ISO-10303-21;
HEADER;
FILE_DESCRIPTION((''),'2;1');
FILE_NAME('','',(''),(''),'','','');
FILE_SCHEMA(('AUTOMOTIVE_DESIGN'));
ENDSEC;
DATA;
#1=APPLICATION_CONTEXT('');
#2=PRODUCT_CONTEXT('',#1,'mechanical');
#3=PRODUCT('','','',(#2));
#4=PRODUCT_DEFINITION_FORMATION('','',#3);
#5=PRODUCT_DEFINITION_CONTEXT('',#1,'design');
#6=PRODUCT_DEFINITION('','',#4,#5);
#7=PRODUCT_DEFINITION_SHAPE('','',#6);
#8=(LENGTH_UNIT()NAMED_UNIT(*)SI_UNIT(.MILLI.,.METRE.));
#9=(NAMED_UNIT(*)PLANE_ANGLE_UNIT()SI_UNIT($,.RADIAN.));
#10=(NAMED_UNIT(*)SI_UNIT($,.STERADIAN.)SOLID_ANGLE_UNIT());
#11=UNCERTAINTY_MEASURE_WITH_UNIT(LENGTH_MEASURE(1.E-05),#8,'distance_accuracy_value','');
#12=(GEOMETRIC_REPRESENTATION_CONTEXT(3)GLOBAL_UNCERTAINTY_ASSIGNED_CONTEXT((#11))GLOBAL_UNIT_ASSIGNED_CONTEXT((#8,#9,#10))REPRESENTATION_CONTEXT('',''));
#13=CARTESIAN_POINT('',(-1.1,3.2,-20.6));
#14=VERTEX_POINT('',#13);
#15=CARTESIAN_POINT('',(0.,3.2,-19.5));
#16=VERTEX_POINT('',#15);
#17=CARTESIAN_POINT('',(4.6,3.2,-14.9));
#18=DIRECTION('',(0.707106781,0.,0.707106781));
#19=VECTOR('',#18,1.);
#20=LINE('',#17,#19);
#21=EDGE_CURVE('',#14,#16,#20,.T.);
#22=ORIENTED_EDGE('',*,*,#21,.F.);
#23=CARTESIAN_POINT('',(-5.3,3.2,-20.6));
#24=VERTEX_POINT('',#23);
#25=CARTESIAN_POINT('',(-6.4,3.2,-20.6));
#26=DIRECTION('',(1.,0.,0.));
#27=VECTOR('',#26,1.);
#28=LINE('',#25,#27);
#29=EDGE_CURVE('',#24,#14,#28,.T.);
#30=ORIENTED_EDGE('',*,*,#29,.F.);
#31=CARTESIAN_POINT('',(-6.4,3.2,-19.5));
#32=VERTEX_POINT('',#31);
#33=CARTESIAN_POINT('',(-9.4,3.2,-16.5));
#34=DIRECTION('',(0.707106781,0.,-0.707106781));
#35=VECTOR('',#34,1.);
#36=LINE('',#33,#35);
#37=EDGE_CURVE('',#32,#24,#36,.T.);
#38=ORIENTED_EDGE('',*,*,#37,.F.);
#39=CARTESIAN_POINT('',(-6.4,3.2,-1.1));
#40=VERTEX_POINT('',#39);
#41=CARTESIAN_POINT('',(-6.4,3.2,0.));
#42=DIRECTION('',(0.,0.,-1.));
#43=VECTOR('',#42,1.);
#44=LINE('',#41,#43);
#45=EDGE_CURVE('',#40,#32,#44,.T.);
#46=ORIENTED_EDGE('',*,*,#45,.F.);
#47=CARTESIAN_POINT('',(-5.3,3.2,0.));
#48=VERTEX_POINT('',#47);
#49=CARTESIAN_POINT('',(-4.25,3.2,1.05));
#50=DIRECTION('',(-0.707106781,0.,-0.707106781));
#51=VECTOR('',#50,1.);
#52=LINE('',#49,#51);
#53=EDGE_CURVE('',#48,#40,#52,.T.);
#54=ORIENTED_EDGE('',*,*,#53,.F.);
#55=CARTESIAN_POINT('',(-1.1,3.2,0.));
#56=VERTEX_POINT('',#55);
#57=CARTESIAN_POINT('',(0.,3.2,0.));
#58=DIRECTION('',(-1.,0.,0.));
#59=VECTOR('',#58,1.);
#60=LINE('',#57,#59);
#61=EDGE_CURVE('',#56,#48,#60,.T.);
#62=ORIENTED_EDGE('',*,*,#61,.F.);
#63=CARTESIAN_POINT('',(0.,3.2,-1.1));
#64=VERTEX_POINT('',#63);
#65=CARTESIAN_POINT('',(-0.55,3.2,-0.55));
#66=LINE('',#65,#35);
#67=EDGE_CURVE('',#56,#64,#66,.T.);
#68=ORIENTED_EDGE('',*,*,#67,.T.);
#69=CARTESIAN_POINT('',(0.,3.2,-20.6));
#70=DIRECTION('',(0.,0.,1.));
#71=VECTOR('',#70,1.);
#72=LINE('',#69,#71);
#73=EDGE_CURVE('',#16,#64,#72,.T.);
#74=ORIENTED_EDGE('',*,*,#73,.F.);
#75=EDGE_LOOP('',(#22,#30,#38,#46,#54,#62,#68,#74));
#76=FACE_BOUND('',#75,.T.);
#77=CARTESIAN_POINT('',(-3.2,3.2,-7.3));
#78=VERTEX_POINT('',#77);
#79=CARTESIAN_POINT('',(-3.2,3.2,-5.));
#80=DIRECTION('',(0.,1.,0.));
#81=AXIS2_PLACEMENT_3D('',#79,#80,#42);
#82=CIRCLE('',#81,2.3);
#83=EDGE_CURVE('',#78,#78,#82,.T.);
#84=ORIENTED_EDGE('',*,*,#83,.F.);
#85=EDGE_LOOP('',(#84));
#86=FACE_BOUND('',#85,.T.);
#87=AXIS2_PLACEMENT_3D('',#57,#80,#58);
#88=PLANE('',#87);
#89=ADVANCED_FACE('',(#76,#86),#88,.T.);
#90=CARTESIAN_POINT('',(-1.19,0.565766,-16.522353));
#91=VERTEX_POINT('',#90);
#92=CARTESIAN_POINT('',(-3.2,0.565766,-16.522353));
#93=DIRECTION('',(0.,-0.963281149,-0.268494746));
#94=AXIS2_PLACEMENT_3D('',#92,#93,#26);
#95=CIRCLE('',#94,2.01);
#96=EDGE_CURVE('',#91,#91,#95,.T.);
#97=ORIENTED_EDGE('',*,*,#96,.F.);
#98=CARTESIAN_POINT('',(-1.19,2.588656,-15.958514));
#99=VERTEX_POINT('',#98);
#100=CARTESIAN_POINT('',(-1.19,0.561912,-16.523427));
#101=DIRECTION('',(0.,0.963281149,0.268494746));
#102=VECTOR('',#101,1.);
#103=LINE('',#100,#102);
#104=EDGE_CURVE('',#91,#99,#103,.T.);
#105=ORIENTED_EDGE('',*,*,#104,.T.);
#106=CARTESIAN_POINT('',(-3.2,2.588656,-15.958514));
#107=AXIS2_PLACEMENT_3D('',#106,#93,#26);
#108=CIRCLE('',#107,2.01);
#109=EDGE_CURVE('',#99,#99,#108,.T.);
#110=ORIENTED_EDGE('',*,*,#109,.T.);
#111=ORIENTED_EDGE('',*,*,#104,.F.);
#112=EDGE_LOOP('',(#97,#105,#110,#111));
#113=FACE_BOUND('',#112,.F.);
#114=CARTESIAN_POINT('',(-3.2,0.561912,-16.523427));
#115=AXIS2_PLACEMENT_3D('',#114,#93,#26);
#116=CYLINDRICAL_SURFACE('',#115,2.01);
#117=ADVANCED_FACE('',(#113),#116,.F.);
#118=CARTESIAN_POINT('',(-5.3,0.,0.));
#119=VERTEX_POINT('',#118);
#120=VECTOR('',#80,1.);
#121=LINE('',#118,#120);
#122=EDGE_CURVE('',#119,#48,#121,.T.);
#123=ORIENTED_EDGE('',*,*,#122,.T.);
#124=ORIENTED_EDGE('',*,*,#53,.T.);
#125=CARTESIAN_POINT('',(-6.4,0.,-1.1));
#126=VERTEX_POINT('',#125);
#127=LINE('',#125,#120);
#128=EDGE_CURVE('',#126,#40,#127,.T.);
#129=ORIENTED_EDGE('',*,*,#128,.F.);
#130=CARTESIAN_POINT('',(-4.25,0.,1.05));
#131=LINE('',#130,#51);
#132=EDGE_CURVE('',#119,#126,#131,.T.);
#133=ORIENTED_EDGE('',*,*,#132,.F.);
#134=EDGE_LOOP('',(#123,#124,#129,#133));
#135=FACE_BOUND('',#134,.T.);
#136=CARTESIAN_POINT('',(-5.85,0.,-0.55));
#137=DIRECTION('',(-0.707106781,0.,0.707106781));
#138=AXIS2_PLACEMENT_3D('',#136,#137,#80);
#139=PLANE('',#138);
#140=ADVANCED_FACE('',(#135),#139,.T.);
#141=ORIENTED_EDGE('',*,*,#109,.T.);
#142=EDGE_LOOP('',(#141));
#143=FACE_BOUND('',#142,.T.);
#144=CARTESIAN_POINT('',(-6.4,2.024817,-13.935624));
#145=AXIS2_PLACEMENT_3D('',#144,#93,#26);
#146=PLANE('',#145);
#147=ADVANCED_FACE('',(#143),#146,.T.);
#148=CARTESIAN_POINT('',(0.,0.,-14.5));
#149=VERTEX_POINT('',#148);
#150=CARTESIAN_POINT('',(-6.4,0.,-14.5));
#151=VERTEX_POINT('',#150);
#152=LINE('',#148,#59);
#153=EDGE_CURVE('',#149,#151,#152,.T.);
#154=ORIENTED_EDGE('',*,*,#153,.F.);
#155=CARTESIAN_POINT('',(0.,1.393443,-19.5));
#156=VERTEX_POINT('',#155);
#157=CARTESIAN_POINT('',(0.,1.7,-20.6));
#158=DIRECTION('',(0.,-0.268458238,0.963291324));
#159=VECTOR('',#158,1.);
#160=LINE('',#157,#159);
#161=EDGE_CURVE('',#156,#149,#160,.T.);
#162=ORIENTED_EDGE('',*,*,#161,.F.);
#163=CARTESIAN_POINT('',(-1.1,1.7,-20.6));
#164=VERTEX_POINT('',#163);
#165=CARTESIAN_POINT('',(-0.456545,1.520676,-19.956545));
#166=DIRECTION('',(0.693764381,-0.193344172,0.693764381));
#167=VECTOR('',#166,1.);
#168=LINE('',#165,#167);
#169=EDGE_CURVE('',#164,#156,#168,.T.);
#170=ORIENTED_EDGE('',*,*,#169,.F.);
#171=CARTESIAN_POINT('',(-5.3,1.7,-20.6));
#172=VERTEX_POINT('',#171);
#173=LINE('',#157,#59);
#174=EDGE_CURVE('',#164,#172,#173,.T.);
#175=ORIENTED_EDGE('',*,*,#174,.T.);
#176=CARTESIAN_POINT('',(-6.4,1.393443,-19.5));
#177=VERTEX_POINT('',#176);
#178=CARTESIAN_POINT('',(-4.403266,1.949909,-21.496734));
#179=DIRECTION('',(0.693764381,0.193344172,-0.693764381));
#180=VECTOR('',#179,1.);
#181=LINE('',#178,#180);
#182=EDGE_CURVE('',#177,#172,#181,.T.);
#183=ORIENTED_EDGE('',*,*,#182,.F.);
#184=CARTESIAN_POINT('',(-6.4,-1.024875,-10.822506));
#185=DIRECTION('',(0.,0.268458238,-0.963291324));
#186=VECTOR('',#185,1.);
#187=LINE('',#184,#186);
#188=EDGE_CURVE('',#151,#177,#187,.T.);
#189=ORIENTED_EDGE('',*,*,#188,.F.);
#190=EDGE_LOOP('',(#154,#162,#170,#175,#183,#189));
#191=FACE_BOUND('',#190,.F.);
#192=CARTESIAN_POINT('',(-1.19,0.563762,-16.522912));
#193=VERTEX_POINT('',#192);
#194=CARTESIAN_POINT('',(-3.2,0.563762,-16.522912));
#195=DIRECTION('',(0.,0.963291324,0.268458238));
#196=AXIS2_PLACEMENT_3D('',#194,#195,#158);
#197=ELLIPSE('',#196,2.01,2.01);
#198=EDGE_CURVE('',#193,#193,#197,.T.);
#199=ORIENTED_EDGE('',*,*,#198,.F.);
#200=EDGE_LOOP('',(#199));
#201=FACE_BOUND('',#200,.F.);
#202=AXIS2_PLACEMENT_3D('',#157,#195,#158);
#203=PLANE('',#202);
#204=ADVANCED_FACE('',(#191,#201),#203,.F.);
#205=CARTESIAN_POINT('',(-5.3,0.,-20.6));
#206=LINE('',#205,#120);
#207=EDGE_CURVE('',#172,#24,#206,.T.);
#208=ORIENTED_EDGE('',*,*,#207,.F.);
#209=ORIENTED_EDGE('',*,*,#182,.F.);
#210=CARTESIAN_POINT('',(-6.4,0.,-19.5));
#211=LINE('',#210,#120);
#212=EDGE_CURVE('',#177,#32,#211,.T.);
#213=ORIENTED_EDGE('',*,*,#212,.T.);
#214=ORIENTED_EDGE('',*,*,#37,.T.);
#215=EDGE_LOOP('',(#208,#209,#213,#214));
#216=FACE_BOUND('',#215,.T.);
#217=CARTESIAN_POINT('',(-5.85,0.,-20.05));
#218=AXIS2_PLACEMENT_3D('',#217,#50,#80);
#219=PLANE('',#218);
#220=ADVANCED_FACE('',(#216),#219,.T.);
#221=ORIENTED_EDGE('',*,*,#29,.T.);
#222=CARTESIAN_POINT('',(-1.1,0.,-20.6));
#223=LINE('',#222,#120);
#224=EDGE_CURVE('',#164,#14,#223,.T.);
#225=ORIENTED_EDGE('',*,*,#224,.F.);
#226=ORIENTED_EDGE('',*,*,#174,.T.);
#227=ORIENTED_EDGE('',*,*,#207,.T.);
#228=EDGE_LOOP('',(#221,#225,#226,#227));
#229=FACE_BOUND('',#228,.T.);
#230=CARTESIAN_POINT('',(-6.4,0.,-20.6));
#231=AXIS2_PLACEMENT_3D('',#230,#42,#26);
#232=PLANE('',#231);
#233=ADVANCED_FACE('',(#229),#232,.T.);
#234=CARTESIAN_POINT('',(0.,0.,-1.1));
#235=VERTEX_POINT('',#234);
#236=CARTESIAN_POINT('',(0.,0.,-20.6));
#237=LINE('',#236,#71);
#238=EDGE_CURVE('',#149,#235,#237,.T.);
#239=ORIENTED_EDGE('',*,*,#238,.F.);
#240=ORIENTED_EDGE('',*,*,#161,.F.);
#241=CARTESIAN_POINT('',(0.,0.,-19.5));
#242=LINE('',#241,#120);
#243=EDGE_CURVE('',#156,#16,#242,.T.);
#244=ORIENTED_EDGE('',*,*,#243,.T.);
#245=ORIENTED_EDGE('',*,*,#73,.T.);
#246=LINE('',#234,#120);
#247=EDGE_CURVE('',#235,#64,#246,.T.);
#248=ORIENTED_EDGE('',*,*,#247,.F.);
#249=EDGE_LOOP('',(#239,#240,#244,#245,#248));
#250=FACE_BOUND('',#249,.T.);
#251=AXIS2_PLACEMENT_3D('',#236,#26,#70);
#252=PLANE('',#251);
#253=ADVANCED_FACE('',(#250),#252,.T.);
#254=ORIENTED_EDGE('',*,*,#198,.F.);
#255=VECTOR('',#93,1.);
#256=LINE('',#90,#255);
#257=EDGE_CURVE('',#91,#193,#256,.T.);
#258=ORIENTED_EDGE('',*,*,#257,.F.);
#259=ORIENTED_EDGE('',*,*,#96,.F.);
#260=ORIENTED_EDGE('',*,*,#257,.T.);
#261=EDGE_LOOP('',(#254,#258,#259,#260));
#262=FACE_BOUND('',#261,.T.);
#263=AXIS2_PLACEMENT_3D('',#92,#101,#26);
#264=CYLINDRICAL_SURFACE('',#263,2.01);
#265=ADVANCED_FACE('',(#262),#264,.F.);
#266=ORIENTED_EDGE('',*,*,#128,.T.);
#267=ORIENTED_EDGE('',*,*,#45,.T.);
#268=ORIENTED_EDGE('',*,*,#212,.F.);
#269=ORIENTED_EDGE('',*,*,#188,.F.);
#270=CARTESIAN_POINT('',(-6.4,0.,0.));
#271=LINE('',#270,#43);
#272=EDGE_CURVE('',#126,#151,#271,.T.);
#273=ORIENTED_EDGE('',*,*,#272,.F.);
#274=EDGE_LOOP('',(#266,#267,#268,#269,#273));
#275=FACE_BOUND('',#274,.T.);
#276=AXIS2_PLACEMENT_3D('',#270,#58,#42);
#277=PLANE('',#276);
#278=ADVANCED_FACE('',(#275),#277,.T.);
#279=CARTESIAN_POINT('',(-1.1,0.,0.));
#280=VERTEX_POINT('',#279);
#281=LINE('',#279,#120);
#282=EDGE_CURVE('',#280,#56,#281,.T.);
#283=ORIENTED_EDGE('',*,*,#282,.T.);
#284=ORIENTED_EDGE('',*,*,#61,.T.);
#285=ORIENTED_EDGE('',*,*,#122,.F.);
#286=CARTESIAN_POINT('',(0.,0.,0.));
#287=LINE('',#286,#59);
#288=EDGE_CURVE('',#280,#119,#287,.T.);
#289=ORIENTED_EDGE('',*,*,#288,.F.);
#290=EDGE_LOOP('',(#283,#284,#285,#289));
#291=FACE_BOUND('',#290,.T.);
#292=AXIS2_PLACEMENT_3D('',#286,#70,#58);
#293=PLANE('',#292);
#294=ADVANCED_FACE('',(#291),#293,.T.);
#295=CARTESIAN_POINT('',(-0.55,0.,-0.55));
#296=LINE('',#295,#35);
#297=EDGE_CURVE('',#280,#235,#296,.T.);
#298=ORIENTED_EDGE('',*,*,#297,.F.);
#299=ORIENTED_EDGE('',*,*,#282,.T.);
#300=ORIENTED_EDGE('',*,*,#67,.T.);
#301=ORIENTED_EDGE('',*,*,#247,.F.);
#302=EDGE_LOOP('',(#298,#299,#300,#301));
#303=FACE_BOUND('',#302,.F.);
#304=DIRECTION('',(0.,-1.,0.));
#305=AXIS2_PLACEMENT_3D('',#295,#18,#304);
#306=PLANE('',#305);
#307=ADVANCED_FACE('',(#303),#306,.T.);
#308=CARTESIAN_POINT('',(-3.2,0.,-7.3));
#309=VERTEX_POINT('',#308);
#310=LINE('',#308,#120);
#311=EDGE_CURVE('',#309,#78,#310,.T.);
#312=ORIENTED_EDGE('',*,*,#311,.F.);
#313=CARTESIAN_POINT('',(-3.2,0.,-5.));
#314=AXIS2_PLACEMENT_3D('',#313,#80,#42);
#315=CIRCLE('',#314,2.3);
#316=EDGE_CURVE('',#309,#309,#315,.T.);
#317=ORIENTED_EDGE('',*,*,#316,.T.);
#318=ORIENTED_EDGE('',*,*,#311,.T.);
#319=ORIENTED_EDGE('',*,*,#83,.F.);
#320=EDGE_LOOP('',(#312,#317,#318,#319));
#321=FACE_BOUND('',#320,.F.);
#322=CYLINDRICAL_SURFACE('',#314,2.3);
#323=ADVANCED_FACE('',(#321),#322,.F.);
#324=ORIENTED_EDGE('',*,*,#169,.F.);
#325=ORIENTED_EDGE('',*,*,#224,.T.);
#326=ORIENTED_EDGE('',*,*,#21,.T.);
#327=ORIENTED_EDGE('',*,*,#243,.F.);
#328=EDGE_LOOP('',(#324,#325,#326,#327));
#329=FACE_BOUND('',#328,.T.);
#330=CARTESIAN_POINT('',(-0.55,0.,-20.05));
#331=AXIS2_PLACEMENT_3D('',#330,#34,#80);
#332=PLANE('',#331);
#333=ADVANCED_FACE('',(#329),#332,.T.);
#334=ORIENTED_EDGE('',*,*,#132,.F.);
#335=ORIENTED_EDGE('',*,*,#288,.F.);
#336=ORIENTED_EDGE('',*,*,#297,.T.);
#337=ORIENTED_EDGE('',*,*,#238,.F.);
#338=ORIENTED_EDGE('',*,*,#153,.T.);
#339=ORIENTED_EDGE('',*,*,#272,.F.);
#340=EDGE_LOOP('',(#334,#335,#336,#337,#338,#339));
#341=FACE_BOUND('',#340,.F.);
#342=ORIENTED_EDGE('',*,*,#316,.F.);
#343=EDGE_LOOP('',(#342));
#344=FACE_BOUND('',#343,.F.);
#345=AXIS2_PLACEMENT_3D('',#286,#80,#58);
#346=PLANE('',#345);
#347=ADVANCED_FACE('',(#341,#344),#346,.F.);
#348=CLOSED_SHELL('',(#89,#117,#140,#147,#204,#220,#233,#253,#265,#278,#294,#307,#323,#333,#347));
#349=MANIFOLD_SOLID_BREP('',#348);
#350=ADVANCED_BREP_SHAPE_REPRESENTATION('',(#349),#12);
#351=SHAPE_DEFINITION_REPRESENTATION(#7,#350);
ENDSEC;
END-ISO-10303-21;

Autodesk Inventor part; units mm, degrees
ref_plane "YZ Plane" through (0, 0, 0) normal (1, 0, 0) x (0, 1, 0)
ref_plane "XZ Plane" through (0, 0, 0) normal (0, 1, 0) x (-1, 0, 0)
sketch "Sketch1" plane through (0, 0, 0) normal (0, 1, 0) x (-1, 0, 0)
  line L0 (0, 0) -> (6.4, 0)
  line L1 (6.4, 0) -> (6.4, -20.6)
  line L2 (6.4, -20.6) -> (0, -20.6)
  line L3 (0, -20.6) -> (0, 0)
  point P0 (3.2, -7.9)
  dimension "d0" = 6.4
  dimension "d1" = 20.6
extrude "Extrusion1" add sketch "Sketch1" along normal blind 3.2
sketch "Sketch3" plane through (0, 0, 0) normal (0, -1, 0) x (1, 0, 0)
  point P0 (0, 0)
  point P1 (-3.2, -5)
hole "Hole1" at (-3.2, 0, -5) direction (0, 1, 0) diameter 4.6 end through all
chamfer "Chamfer1" distance 1.1 angle 45 1 edges at (0, 1.6, 0)
chamfer "Chamfer2" distance 1.1 angle 45 1 edges at (-6.4, 1.6, 0)
chamfer "Chamfer3" distance 1.1 angle 45 1 edges at (-6.4, 1.6, -20.6)
chamfer "Chamfer4" distance 1.1 angle 45 1 edges at (0, 1.6, -20.6)
sketch "Sketch5" plane through (0, 0, 0) normal (1, 0, 0) x (0, 1, 0)
  line L0 (3.2, -20.6) -> (0, -20.6) projected
  line L1 (0, -20.6) -> (0, -14.5)
  line L2 (0, -1.1) -> (0, -19.5) projected
  line L3 (0, -20.6) -> (1.7, -20.6)
  line L4 (1.7, -20.6) -> (0, -14.5)
  point P0 (0, 0)
  dimension "d26" = 6.1
  dimension "d27" = 1.7
extrude "Extrusion3" cut sketch "Sketch5" against normal through all
ref_plane "Work Plane1" through (-6.4, 0, -14.5) normal (0, -0.9633, -0.2685) x (1, 0, 0)
sketch "Sketch11" plane through (-6.4, 0, -14.5) normal (0, -0.9633, -0.2685) x (1, 0, 0)
  circle A0 centre (3.2, -2.1) radius 2.01
  line L0 (0, 0) -> (6.4, 0) projected
  point P0 (6.4, 13.9677)
  dimension "d31" = 4.02
  dimension "d34" = 2.1
extrude "Extrusion4" cut sketch "Sketch11" along normal mid plane 4.2
properties part number "HeadbarClamp"
